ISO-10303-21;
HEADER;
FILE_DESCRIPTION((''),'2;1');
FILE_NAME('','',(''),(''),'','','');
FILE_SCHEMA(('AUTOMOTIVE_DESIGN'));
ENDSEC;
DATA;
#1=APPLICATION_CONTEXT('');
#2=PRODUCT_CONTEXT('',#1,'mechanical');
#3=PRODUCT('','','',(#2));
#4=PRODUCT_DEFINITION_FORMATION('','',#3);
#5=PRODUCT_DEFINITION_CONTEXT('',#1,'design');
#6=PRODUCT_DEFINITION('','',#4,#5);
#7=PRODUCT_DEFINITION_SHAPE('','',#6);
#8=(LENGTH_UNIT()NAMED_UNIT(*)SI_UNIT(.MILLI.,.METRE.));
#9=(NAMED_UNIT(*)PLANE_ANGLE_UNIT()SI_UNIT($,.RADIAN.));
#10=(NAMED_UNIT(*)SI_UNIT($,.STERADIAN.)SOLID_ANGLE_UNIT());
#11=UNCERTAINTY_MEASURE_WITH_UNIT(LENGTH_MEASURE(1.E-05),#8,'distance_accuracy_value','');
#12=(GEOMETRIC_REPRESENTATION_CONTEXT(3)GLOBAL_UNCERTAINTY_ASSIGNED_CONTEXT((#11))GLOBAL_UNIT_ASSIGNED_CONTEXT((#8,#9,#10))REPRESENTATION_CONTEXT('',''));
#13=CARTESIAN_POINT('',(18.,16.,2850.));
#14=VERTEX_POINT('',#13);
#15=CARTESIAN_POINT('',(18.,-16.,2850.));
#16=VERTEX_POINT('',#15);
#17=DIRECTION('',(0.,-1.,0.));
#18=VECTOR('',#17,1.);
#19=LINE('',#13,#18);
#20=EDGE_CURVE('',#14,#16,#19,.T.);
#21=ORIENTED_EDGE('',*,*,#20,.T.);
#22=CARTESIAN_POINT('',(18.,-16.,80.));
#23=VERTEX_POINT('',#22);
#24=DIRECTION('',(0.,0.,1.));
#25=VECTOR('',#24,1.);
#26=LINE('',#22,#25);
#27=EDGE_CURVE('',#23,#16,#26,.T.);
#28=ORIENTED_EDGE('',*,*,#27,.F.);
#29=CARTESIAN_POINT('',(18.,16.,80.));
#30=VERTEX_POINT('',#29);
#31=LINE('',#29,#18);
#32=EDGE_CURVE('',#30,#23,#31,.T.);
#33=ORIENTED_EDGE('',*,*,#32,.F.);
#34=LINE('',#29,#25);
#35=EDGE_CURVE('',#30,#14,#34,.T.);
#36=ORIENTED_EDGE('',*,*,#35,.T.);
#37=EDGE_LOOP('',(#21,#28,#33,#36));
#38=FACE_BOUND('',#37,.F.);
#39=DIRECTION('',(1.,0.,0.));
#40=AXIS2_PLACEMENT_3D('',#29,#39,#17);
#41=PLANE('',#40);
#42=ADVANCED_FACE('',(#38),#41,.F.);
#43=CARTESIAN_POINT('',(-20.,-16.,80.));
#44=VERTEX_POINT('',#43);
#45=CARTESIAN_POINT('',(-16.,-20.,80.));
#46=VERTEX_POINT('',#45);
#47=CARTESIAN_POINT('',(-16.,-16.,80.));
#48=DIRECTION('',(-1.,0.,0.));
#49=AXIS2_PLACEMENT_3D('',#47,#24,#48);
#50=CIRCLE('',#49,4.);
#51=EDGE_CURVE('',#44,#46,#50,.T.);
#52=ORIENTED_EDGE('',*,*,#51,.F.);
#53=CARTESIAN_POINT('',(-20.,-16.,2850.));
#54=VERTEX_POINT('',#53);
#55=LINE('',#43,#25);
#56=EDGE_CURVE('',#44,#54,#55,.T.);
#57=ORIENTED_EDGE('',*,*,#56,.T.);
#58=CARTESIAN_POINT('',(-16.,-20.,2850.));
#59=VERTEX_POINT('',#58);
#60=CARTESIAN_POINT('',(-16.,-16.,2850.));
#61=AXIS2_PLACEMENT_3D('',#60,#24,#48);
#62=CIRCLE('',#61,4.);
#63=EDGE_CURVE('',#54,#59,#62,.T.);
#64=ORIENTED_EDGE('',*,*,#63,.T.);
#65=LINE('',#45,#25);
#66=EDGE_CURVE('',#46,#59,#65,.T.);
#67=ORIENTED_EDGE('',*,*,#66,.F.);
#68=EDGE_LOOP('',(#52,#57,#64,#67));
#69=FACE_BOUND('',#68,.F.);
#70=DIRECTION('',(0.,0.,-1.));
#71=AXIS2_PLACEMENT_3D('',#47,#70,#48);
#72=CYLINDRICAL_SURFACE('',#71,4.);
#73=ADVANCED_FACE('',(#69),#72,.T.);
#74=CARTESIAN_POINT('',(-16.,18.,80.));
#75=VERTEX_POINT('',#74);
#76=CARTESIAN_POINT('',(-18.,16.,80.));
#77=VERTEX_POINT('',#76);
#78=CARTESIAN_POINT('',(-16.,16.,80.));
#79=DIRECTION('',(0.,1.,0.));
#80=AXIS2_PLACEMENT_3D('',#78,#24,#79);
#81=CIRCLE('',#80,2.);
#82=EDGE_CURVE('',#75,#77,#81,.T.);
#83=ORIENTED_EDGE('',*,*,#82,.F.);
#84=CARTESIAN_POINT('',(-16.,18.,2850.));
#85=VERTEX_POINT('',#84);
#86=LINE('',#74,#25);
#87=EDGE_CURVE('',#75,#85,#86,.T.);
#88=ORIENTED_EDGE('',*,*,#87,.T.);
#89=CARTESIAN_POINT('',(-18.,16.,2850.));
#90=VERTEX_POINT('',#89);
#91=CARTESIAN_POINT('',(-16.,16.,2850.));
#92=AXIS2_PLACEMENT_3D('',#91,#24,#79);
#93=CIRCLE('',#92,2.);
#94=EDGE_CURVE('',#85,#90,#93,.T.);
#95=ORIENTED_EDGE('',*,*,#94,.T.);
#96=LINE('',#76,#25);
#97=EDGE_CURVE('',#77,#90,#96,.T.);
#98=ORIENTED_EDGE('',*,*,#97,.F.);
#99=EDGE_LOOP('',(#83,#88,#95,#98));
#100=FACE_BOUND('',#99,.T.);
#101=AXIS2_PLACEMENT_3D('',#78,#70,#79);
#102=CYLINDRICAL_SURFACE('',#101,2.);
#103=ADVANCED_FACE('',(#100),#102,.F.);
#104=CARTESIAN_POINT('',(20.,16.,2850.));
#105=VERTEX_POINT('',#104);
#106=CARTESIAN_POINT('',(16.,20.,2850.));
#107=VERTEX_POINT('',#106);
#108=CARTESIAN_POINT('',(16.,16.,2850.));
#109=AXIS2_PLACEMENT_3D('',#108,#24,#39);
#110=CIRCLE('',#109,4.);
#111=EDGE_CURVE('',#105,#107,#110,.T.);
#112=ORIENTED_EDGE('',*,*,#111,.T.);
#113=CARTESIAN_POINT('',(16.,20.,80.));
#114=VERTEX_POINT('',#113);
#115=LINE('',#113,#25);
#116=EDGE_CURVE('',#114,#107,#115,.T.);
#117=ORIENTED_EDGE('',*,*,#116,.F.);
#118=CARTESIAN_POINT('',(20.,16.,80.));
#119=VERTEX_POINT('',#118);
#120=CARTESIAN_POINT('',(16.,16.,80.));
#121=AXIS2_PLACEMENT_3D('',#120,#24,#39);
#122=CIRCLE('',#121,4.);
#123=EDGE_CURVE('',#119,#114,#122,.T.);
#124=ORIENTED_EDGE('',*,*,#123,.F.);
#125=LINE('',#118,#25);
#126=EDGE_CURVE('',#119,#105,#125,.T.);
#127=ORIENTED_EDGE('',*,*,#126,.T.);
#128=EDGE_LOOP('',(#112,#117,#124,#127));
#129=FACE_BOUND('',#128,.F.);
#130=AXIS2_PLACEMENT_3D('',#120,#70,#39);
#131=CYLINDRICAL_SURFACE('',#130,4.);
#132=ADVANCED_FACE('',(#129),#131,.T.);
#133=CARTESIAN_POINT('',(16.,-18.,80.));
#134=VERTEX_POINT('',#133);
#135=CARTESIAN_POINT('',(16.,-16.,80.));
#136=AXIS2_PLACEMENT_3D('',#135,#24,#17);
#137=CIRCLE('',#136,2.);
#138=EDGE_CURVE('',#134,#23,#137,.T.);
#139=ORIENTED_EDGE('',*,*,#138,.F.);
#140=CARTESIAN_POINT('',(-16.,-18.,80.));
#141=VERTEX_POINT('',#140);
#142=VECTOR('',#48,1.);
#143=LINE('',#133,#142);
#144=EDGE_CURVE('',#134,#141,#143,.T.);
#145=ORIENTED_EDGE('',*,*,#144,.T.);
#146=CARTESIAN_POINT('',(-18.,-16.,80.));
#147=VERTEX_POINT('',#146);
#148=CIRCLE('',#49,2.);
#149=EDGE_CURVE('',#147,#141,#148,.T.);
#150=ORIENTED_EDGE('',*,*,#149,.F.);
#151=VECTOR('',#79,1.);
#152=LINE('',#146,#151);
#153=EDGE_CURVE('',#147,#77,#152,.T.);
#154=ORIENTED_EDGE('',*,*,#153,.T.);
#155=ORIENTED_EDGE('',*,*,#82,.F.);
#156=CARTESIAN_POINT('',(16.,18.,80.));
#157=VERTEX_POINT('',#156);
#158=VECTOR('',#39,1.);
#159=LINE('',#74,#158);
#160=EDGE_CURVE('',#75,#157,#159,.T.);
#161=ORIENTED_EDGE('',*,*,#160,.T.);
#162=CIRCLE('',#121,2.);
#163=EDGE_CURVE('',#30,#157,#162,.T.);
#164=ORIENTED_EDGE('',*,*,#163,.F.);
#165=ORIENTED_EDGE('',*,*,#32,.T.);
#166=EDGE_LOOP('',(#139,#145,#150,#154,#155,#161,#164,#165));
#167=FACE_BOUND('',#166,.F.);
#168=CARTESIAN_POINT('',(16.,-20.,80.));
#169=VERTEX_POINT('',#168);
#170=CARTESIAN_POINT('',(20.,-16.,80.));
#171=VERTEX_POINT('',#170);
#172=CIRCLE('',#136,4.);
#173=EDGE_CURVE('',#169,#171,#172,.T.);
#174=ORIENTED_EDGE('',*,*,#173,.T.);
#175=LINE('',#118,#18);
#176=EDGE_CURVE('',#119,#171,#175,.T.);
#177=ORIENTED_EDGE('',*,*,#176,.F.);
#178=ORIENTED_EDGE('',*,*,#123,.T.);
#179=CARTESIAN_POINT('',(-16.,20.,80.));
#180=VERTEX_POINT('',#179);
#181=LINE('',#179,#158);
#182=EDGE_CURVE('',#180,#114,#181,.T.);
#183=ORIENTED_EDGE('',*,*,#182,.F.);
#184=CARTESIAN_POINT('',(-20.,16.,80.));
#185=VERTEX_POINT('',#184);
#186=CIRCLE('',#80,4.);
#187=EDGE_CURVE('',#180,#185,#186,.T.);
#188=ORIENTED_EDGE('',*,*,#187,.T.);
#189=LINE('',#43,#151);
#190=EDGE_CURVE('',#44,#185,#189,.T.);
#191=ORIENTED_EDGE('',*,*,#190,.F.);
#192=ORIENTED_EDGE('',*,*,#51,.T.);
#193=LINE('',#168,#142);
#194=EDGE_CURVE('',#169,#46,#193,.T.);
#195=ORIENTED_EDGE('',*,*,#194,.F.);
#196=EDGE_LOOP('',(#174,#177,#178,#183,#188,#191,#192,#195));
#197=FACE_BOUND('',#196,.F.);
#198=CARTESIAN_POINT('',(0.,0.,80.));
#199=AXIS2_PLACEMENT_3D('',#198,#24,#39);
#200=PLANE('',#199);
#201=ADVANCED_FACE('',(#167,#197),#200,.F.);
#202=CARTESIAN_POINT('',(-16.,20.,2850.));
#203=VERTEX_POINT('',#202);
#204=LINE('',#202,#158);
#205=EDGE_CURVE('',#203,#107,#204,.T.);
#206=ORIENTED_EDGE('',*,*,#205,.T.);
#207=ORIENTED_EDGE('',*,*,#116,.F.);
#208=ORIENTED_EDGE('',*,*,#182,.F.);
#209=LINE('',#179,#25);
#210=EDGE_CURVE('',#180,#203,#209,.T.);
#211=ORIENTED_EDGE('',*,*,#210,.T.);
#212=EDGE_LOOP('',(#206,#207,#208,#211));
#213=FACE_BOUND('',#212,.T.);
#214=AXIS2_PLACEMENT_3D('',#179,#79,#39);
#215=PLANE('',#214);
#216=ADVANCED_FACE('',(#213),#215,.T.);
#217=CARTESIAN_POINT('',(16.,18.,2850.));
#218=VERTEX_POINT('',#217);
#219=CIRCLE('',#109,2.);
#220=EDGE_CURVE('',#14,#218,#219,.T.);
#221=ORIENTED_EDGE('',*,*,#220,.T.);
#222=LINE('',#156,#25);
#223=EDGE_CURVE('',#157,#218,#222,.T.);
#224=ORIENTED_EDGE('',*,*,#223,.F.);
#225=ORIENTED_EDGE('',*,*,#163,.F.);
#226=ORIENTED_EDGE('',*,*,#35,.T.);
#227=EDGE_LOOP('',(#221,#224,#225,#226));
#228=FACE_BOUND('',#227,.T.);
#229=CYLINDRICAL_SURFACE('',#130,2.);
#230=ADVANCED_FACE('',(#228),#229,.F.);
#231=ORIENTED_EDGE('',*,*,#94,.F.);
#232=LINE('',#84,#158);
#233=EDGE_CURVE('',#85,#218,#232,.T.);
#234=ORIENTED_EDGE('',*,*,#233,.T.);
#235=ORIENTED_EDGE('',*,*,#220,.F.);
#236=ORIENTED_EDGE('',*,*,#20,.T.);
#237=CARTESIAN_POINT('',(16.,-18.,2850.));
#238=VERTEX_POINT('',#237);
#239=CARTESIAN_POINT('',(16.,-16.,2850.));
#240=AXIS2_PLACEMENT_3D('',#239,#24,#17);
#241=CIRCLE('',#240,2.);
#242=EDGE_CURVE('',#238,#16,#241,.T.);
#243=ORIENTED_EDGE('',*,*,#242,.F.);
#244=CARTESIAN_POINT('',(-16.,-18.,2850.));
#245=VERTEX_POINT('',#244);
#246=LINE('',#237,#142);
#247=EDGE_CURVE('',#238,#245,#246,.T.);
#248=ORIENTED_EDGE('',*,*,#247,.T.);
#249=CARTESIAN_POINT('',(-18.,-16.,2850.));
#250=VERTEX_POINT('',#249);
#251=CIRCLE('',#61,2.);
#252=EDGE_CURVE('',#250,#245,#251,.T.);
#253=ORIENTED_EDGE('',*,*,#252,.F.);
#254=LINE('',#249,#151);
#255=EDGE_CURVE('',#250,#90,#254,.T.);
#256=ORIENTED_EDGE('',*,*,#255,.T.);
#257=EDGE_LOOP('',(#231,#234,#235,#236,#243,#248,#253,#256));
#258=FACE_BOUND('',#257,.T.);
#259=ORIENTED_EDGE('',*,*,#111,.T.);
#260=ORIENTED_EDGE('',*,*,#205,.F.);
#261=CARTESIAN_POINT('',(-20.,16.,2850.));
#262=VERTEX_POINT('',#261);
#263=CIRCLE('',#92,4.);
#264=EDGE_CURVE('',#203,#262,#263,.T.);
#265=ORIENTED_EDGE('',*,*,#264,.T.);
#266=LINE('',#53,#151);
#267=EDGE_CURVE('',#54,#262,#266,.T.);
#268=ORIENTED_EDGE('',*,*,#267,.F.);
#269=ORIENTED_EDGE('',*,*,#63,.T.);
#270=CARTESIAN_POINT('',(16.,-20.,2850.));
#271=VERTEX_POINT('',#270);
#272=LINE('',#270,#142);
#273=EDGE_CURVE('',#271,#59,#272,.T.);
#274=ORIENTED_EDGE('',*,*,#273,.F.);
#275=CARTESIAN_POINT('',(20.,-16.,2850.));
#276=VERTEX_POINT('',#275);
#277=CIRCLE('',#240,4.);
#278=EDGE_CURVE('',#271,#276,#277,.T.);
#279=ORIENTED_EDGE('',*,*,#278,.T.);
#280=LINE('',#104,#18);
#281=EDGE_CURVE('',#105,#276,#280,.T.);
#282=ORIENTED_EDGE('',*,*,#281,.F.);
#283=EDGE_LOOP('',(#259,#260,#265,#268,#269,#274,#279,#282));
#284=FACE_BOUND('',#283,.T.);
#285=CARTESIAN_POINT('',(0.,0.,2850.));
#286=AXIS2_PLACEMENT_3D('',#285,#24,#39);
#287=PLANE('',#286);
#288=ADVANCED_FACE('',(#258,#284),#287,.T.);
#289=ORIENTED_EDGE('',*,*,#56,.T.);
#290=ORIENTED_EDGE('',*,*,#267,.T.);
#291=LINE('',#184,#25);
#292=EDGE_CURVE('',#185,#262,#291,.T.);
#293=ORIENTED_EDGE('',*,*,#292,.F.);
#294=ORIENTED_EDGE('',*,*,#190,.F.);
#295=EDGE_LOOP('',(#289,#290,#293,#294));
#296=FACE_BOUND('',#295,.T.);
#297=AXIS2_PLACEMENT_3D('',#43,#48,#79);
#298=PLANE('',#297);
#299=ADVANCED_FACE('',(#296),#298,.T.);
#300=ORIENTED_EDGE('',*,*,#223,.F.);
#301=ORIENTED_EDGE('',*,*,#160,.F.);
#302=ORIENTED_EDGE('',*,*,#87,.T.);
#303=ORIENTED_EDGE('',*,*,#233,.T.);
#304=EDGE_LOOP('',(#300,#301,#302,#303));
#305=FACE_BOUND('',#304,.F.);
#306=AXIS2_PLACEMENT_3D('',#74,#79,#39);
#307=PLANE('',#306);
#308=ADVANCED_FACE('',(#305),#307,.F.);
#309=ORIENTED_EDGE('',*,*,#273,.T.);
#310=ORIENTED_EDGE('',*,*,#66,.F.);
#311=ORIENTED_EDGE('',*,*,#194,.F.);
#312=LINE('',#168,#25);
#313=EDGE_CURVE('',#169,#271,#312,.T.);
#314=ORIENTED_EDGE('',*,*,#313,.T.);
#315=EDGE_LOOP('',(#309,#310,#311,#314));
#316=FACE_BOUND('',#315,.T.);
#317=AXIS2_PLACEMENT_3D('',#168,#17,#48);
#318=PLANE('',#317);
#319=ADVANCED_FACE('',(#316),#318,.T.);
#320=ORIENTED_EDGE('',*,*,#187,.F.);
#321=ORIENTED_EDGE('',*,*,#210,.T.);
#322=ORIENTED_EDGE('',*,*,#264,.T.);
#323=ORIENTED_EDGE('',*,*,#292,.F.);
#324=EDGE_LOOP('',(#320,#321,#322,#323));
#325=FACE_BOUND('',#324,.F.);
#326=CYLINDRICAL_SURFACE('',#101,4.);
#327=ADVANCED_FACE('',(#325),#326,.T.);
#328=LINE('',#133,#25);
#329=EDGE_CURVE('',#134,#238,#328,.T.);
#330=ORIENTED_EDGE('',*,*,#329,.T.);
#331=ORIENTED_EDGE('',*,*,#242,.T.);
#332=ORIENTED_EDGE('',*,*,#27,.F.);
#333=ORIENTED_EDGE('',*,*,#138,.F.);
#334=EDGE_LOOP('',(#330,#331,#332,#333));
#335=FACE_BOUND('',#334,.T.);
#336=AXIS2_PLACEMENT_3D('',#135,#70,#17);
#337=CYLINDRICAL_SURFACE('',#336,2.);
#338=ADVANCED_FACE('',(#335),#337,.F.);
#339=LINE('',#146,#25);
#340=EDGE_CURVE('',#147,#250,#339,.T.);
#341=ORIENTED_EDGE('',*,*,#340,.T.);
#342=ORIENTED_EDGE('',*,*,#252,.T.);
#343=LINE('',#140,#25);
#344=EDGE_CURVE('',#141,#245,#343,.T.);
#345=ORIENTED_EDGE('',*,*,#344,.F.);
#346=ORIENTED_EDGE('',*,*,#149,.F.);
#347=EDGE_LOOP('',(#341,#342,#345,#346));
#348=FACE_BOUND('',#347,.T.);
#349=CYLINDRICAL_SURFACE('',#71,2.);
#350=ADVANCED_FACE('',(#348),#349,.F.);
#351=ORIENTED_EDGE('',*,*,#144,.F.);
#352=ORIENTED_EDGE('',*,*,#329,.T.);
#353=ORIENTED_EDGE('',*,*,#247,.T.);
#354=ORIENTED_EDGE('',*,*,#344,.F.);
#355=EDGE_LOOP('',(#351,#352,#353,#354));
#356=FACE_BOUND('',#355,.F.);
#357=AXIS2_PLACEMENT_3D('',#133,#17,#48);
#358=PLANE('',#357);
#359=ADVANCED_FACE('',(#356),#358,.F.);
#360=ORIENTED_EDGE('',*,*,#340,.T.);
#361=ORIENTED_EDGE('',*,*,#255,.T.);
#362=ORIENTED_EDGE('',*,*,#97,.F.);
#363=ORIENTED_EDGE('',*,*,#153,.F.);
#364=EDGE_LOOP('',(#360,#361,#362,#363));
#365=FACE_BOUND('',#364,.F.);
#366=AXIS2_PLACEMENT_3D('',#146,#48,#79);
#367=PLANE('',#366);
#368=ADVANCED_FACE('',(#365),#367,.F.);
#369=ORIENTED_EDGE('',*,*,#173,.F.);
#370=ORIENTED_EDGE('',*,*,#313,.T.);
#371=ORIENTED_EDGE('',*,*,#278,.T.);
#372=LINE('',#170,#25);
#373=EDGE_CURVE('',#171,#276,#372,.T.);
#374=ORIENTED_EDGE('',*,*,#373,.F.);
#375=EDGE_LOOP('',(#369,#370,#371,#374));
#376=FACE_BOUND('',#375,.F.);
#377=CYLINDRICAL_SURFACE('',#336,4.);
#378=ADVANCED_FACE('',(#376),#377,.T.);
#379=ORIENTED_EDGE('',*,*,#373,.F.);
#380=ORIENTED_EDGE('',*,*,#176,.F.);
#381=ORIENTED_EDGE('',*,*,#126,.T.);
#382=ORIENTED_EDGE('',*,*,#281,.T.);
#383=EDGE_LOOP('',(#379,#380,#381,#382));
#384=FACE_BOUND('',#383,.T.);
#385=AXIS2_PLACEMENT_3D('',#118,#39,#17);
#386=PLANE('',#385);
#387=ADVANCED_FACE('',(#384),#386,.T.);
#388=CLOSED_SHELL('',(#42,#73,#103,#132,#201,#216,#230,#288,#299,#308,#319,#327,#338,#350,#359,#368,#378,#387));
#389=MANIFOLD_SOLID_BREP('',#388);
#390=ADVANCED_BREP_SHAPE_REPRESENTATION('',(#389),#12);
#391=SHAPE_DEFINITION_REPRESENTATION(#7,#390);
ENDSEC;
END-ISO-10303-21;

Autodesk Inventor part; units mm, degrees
ref_plane "YZ Plane" through (0, 0, 0) normal (1, 0, 0) x (0, 1, 0)
ref_plane "Start Plane" through (0, 0, 80) normal (0, 0, 1) x (1, 0, 0)
ref_plane "End Plane" through (0, 0, 2850) normal (0, 0, 1) x (1, 0, 0)
sketch "Sketch" plane through (0, 0, 0) normal (0, 0, 1) x (1, 0, 0)
  line L0 (-20, -16) -> (-20, 16)
  line L1 (-16, 20) -> (16, 20)
  line L2 (20, 16) -> (20, -16)
  line L3 (16, -20) -> (-16, -20)
  arc A0 (-20, -16) -> (-16, -20) centre (-16, -16) ccw
  arc A1 (20, 16) -> (16, 20) centre (16, 16) ccw
  arc A2 (-16, 20) -> (-20, 16) centre (-16, 16) ccw
  arc A3 (16, -20) -> (20, -16) centre (16, -16) ccw
  arc A4 (-16, 18) -> (-18, 16) centre (-16, 16) ccw
  line L4 (-16, 18) -> (16, 18)
  arc A5 (18, 16) -> (16, 18) centre (16, 16) ccw
  line L5 (18, 16) -> (18, -16)
  arc A6 (16, -18) -> (18, -16) centre (16, -16) ccw
  line L6 (16, -18) -> (-16, -18)
  arc A7 (-18, -16) -> (-16, -18) centre (-16, -16) ccw
  line L7 (-18, -16) -> (-18, 16)
  line L8 (0, 29.1598) -> (0, -29.1598) construction
  line L9 (-29.1598, 0) -> (29.1598, 0) construction
  dimension "d7" = 4
  dimension "d9" = 40
  dimension "d11" = 40
  dimension "d12" = 2
  dimension "d15" = 20
  dimension "d16" = 20
extrude "Body" add sketch "Sketch" along normal up to surface (2770 mm away) from surface at 80
sketch "Sketch3" plane through (0, 0, 0) normal (0, 0, 1) x (1, 0, 0)
  line L0 (0, 0) -> (10, 0)
ref_plane "Work Plane3" through (0, 0, 0) normal (0, -1, 0) x (1, 0, 0)
sketch "Sketch4" plane through (0, 0, 0) normal (0, -1, 0) x (1, 0, 0)
  line L0 (-2, 80) -> (12, 80) projected
  line L1 (-2, 2850) -> (12, 2850) projected
  dimension "d18" = 2770
equation "\"d7\" = G_IR"
equation "\"d9\" = G_W"
equation "\"d11\" = G_H"
equation "\"d12\" = G_T"
equation "\"d15\" = 0.5 * d9"
equation "\"d16\" = 0.5 * d11"
equation "\"d3\" = G_L"
equation "\"G_W\" = 40"
equation "\"G_H\" = 40"
equation "\"G_T\" = 2"
equation "\"G_IR\" = 4"
equation "\"G_L\" = d18"
equation "\"G_OFFSET_END\" = 0"
properties part number "ISO 10799-2 - 40x40x2 - 2770" material "Steel, Mild"
